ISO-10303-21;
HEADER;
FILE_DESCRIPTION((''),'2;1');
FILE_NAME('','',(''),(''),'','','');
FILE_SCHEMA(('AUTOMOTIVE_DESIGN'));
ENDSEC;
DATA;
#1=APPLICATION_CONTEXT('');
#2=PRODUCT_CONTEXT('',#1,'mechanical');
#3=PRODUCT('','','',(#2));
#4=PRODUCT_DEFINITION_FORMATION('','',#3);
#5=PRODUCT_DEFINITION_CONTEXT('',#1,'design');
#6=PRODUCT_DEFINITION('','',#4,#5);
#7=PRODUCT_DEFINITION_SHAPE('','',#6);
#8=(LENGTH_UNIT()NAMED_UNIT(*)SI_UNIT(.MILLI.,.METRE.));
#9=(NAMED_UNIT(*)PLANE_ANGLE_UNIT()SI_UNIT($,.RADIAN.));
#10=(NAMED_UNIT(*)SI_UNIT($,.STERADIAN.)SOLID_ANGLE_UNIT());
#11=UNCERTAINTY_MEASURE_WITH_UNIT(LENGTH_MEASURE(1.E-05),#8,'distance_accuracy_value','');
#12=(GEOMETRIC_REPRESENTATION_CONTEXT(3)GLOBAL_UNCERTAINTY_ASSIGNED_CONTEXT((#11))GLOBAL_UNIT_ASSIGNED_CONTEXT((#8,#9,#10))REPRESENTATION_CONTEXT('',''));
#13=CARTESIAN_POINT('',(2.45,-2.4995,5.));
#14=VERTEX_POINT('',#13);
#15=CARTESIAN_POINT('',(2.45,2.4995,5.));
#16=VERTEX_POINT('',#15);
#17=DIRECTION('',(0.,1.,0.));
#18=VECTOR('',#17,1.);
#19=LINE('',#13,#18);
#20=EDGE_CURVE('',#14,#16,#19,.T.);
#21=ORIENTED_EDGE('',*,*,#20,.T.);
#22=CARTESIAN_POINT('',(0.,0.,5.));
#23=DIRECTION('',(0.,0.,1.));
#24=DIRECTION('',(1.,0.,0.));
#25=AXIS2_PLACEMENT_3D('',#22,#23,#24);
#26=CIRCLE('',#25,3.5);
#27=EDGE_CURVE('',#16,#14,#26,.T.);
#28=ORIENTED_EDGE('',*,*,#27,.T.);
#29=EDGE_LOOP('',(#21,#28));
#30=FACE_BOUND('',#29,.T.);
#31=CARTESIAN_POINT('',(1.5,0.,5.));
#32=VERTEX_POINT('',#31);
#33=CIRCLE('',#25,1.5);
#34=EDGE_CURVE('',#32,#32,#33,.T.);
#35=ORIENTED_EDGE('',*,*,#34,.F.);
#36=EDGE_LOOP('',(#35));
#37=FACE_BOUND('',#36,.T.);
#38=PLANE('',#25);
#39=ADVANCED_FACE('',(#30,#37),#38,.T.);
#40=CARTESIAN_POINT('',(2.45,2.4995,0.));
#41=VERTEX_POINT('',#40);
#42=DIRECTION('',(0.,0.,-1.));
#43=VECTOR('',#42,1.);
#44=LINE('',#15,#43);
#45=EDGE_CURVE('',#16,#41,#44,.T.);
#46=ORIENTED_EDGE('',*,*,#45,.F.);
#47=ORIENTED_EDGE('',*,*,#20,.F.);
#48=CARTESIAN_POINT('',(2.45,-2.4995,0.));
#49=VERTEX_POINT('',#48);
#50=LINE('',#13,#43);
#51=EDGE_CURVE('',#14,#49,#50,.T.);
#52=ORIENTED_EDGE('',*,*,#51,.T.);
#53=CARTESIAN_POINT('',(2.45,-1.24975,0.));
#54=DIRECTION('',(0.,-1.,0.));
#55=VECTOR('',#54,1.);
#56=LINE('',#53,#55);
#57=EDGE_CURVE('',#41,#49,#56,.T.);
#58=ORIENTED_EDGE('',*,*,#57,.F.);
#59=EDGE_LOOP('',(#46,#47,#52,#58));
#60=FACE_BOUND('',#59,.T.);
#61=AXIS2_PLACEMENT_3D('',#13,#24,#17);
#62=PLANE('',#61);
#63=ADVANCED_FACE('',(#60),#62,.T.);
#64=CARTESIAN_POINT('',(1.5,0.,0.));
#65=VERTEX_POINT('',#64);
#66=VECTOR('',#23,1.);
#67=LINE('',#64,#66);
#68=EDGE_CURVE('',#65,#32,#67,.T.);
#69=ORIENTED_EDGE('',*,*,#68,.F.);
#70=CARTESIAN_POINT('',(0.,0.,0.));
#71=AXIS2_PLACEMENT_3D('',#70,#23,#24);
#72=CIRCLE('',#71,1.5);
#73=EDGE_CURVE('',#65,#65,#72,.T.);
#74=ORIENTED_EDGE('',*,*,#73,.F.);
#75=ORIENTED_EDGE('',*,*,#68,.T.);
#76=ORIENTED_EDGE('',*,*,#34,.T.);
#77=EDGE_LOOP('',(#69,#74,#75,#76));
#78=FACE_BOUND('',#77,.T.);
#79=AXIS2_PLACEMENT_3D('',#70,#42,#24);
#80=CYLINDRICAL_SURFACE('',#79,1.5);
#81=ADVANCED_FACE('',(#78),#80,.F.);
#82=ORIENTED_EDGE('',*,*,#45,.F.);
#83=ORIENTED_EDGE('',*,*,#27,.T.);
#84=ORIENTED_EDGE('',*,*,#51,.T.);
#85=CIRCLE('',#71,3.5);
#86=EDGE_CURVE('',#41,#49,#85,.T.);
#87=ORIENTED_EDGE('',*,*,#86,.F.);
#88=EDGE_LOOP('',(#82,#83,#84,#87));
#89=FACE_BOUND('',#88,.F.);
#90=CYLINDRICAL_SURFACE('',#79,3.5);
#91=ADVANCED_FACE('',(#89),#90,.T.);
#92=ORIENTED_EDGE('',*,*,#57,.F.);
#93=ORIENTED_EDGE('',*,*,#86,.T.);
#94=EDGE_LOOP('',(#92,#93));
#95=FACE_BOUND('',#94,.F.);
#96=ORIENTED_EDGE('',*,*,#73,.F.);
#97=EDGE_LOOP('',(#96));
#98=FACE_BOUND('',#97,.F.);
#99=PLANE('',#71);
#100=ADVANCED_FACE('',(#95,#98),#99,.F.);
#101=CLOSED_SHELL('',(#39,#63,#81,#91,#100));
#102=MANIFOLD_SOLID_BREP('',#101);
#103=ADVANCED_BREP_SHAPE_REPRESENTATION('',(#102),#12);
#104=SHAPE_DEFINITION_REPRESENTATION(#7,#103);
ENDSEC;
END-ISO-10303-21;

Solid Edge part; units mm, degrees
sketch "Sketch1" plane through (0, 0, 0) normal (0, 0, 1) x (1, 0, 0)
  circle A0 centre (0, 0) radius 1.5
  circle A1 centre (0, 0) radius 3.5
  dimension "D1" = 3
  dimension "D2" = 7
extrude "Protrusion1" add sketch "Sketch1" along normal blind 5
sketch "Sketch2" plane through (0, 0, 5) normal (0, 0, 1) x (0, -1, 0)
  line L0 (2.4995, 2.45) -> (-2.4995, 2.45)
  arc A0 (-2.4995, 2.45) -> (2.4995, 2.45) centre (0, 0) cw
extrude "Cutout1" cut sketch "Sketch2" against normal up to next
properties material "ABS Plastic, high impact"
